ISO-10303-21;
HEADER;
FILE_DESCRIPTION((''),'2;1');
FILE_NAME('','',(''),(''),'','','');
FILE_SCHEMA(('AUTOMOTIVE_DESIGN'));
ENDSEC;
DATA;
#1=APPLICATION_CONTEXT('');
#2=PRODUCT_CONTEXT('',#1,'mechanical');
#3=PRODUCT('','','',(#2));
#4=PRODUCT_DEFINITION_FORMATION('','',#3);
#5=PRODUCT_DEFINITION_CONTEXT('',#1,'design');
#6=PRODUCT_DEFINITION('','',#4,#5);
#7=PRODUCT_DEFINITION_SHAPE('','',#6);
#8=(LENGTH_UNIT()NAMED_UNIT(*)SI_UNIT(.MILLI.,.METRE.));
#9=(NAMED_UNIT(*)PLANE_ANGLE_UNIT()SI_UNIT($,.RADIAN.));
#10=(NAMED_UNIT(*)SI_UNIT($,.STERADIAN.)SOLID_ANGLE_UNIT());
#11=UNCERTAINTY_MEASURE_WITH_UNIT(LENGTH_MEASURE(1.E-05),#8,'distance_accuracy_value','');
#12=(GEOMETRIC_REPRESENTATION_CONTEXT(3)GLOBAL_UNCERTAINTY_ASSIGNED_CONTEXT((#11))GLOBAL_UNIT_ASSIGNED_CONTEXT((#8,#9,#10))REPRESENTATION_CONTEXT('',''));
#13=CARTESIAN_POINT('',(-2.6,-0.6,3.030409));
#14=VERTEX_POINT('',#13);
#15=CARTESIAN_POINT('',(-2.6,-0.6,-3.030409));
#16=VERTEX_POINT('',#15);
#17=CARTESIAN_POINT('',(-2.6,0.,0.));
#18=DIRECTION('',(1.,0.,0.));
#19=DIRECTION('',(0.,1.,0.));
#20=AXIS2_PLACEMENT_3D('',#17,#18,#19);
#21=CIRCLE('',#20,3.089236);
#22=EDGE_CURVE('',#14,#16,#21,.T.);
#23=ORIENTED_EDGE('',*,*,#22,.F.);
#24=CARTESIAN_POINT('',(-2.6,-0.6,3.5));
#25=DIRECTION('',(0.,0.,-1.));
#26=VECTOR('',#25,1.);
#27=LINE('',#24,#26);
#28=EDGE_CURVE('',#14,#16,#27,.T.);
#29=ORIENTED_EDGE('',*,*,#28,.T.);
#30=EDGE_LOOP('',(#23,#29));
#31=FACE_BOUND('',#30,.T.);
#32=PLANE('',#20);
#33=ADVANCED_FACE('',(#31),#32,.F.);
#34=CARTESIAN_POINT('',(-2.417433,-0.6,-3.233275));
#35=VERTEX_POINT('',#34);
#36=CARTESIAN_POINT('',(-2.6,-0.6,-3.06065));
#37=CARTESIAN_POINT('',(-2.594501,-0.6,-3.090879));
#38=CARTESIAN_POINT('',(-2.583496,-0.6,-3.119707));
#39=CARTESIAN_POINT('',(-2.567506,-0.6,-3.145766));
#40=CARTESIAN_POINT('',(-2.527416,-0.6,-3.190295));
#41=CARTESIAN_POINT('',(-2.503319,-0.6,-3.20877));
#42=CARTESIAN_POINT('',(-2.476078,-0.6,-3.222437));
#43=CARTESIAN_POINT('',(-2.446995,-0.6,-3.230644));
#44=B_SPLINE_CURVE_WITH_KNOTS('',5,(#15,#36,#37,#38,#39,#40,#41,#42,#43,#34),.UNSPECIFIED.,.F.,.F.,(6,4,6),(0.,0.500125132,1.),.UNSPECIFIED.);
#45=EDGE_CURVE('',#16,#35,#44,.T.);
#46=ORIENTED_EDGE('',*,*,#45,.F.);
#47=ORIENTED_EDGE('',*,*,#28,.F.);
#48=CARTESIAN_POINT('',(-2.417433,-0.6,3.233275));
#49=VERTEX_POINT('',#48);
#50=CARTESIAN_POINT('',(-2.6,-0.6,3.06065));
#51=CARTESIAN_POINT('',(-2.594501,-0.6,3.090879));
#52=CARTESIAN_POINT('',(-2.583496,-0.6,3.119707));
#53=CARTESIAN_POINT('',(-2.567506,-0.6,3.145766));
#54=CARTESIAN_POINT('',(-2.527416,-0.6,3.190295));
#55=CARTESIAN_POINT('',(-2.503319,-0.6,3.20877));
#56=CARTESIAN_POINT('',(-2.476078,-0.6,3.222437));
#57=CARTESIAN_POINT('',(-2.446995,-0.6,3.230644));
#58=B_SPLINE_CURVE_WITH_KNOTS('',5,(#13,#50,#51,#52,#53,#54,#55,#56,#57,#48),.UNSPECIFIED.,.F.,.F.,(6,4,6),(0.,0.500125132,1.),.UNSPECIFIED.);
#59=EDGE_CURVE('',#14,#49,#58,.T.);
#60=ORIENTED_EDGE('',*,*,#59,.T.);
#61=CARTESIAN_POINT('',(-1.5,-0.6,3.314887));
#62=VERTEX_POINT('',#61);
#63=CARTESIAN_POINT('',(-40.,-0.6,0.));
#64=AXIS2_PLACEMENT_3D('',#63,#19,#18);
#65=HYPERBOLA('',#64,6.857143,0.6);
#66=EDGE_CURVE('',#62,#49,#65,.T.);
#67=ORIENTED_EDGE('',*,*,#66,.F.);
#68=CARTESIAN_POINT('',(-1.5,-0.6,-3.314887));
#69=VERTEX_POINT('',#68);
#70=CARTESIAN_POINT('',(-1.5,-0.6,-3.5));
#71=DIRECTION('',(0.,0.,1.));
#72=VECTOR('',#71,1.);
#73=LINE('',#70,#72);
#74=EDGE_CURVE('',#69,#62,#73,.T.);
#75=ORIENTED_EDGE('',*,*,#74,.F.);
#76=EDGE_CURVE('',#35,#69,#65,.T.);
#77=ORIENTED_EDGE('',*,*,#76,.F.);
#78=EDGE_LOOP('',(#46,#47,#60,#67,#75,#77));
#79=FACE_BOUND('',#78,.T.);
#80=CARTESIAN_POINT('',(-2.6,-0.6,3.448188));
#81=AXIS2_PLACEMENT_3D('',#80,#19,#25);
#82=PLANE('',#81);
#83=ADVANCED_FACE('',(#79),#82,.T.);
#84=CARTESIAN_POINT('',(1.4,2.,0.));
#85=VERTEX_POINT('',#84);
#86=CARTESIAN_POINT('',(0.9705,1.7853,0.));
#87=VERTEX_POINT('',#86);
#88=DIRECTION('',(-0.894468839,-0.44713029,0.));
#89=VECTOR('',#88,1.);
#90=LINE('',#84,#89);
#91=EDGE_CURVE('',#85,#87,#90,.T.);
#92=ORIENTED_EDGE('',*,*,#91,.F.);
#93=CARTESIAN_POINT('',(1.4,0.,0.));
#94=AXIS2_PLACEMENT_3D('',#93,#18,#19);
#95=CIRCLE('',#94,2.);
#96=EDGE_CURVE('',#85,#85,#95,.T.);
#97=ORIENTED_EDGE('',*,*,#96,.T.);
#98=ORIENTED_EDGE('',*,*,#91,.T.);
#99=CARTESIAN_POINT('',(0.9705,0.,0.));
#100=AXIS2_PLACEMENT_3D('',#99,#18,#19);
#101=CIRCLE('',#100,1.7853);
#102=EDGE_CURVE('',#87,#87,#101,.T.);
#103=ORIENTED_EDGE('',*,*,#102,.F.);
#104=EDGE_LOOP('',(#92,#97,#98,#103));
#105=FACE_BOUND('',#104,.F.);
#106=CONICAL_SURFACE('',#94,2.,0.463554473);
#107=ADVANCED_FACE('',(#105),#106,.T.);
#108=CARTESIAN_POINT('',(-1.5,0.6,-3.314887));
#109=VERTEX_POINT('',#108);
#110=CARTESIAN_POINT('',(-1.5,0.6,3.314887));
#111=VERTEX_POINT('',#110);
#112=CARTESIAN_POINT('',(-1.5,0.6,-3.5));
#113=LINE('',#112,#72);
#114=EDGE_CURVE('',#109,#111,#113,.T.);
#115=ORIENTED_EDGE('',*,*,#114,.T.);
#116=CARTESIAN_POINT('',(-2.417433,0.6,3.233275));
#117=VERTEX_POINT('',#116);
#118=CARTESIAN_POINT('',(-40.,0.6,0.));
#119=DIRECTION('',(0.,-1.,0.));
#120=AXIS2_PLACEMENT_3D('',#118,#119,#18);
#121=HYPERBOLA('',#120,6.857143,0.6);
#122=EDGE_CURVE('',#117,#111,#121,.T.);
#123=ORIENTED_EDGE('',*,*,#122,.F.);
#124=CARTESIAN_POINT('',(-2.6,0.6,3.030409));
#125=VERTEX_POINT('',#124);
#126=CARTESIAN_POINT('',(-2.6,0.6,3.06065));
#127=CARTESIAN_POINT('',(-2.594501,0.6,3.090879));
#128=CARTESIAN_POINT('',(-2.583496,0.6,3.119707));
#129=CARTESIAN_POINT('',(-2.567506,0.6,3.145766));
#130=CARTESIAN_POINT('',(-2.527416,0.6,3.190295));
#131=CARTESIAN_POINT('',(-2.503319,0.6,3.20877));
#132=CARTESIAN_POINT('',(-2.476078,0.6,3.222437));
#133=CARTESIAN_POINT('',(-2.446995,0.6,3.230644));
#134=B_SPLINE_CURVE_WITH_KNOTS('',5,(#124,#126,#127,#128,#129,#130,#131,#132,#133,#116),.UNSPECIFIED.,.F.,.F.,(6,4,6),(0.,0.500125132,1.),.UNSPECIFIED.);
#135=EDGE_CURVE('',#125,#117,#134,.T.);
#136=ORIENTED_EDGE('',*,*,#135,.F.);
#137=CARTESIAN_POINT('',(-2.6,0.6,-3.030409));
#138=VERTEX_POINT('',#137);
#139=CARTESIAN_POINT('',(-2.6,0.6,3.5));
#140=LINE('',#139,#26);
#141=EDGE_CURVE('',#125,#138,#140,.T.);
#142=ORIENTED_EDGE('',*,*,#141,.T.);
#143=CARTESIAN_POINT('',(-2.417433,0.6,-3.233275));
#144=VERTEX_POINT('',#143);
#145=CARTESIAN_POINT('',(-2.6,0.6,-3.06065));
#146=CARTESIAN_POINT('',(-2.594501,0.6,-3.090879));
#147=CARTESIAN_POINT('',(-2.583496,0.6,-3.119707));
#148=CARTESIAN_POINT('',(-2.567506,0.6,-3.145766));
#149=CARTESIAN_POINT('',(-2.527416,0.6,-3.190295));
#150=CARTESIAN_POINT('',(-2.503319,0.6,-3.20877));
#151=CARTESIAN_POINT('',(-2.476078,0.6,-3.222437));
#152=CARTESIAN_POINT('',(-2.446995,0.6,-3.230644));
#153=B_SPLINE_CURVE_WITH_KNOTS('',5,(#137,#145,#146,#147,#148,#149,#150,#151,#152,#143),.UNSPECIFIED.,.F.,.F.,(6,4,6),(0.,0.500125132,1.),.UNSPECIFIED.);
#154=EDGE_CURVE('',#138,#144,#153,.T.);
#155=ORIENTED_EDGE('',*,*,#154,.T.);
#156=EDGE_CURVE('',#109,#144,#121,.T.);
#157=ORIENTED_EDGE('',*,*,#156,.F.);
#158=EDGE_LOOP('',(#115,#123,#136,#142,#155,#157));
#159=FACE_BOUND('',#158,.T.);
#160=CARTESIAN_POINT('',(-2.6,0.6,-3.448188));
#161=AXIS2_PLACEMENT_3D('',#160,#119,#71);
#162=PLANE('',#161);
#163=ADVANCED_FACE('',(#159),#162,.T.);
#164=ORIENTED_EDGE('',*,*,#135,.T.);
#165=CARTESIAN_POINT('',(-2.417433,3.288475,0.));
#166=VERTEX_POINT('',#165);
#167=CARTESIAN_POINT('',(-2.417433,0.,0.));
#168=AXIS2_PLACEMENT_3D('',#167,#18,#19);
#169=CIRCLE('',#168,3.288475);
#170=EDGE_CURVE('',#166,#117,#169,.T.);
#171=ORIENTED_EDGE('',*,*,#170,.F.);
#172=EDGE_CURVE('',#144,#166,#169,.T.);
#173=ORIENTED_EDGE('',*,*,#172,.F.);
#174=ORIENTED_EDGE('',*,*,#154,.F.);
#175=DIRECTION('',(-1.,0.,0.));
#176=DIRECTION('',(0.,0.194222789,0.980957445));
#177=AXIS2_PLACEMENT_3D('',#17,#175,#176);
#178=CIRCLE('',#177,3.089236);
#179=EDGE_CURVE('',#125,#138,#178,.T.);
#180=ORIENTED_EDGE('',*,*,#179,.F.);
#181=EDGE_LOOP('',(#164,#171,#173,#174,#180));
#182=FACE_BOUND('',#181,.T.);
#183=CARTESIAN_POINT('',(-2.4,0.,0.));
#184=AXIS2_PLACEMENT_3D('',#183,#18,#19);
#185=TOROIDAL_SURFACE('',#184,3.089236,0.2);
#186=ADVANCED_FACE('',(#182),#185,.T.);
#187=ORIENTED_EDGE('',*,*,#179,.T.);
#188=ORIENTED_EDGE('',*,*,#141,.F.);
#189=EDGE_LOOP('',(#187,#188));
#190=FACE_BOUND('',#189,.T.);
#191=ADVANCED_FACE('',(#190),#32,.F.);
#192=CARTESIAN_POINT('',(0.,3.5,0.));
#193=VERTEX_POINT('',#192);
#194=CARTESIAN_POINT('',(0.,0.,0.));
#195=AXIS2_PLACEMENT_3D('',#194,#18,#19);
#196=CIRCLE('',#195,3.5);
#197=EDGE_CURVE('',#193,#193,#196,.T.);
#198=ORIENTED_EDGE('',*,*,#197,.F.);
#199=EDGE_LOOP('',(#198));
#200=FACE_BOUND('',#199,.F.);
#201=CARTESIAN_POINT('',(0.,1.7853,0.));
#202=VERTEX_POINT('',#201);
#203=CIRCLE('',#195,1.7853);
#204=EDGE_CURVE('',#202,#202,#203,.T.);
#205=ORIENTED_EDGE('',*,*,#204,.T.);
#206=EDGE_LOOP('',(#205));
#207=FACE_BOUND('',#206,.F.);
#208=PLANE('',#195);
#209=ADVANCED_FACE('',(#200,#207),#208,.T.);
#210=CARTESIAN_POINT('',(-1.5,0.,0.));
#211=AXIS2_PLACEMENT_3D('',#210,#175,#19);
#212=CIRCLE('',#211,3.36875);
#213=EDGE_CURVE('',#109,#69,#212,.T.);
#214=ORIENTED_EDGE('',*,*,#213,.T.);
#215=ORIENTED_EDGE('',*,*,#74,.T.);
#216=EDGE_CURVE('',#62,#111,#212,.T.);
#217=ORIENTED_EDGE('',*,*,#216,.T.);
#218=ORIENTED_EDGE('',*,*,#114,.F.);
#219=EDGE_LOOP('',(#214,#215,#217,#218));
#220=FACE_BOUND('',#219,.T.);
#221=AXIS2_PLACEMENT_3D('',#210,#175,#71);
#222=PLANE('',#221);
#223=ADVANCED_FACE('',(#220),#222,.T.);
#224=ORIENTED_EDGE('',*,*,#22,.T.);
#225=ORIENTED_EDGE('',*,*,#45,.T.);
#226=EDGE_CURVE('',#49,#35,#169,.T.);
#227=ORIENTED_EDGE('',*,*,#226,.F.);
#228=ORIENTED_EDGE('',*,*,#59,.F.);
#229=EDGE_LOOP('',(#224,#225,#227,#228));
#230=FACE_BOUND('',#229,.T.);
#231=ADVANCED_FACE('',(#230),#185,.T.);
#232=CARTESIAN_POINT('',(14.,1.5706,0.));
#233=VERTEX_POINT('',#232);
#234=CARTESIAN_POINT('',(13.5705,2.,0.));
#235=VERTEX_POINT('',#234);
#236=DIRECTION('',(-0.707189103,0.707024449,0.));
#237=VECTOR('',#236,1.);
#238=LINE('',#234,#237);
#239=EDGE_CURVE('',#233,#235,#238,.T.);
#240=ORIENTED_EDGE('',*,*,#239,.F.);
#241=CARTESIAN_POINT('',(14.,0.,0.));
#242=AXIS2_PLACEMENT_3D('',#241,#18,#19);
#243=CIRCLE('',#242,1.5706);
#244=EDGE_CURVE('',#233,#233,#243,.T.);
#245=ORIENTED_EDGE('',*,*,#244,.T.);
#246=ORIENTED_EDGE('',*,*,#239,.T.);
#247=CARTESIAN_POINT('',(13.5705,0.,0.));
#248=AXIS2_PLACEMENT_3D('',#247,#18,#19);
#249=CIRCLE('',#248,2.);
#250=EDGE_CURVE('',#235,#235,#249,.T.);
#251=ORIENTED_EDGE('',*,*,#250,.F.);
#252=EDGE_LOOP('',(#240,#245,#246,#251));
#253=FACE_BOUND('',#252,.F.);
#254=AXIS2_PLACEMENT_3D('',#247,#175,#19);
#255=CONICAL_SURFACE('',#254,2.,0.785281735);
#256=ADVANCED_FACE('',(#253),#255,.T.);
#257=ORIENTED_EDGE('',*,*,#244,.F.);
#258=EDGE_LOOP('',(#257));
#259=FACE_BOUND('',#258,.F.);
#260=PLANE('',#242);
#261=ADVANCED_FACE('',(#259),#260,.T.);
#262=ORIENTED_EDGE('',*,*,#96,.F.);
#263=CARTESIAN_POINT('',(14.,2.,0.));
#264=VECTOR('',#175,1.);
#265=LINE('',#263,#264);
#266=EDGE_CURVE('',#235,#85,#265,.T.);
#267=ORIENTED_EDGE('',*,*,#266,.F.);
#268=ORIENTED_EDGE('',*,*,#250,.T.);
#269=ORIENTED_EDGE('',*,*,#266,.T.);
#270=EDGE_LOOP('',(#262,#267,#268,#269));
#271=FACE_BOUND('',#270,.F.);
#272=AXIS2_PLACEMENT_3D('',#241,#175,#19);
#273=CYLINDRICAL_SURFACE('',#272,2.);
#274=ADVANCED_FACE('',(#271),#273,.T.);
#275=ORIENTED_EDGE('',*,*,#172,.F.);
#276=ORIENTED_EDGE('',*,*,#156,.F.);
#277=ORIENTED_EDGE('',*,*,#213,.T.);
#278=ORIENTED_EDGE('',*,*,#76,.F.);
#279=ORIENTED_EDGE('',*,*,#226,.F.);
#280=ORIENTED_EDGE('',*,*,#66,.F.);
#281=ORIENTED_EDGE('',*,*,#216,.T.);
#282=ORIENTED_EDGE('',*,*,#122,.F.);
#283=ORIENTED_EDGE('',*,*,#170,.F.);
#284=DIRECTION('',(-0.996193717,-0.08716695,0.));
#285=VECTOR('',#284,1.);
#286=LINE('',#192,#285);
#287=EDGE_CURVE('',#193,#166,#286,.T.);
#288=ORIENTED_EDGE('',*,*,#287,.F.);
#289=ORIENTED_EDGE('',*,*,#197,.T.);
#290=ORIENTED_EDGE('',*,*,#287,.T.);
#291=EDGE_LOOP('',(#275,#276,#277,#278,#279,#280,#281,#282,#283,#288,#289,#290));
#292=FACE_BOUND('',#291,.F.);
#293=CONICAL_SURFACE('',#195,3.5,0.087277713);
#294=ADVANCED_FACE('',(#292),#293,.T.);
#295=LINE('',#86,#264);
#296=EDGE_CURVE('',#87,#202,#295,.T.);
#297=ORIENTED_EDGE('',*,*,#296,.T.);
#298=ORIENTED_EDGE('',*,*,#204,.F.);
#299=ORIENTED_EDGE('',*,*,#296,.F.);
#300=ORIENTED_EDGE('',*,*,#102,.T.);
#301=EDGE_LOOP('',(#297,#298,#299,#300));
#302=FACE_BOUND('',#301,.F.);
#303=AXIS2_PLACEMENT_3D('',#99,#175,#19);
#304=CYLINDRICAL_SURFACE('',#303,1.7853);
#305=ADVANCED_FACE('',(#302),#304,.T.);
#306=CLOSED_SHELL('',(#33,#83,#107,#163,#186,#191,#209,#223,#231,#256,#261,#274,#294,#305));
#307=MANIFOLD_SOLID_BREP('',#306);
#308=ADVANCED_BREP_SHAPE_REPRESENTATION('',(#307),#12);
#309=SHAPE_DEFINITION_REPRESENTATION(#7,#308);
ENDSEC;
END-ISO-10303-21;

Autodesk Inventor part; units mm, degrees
ref_plane "YZ Plane" through (0, 0, 0) normal (1, 0, 0) x (0, 1, 0)
ref_plane "XZ Plane" through (0, 0, 0) normal (0, 1, 0) x (-1, 0, 0)
sketch "Sketch1" plane through (0, 0, 0) normal (0, 0, 1) x (1, 0, 0)
  line L0 (-2.6, 0) -> (14, 0)
  line L1 (14, 0) -> (14, 2)
  line L2 (14, 2) -> (1.4, 2)
  line L3 (1.4, 2) -> (0.9705, 1.7853)
  line L4 (0.9705, 1.7853) -> (0, 1.7853)
  line L5 (0, 1.7853) -> (0, 3.5)
  line L6 (-5.92, 0) -> (17.32, 0) projected
  line L7 (0, -0.7) -> (0, 4.2) projected
  line L8 (-2.6, 0) -> (-2.6, 3.2725)
  line L9 (0, 3.5) -> (-2.6, 3.2725)
  line L10 (1.4, 2) -> (0, 2) construction
  dimension "d0" = 14
  dimension "d1" = 12.6
  dimension "d2" = 0.4295
  dimension "d3" = 2.6
  dimension "d4" = 4
  dimension "d5" = 3.5705
  dimension "d9" = 7
  dimension "d10" = 5
revolve "Body" add sketch "Sketch1" angle 360 about axis through (-2.6, 0, 0) along (1, 0, 0)
sketch "Sketch2" plane through (-2.6, 0, 0) normal (-1, 0, 0) x (0, 0, 1)
  circle A0 centre (0, 0) radius 3.5 projected
  line L0 (0, 0) -> (0, 3.2725) projected
  line L1 (-3.5, 0.6) -> (3.5, 0.6)
  line L2 (3.5, 0.6) -> (3.5, -0.6)
  line L3 (3.5, -0.6) -> (-3.5, -0.6)
  line L4 (-3.5, -0.6) -> (-3.5, 0.6)
  line L5 (-3.5, 0) -> (3.5, 0) construction
  line L6 (0, 0.6) -> (0, -0.6) construction
  dimension "d11" = 1.2
  dimension "d12" = 7
fillet "Fillet1" radius 0.2 1 edges at (-2.6, -3.2725, 0)
extrude "Slot" cut sketch "Sketch2" against normal blind 1.1 contours A0 L3 L1 | L2 L3 A0 | A0 L1 L2 | A0 L4 L1 | L3 L4 A0
thread "Thread" size "M4x0.7" class "6g" standard "ISO Metric profile" length 12.6
chamfer "Chamfer1" distance 0.4294 distance2 0.4295 1 edges at (14, -2, 0) measured on face at (14, 0.6473, -0.1595)
ref_plane "Work Plane1" through (30.1625, 0, 0) normal (0, 0, -1) x (1, 0, 0)
equation "\"d11\" = SBR"
equation "\"d12\" = KOD"
equation "\"d19\" = STI"
equation "\"d14\" = RR"
equation "\"d15\" = GEL"
equation "\"d17\" = -0.5 * SPD + 0.5 * GD"
equation "\"d0\" = NLG"
equation "\"d1\" = GEL"
equation "\"d3\" = KOH"
equation "\"d4\" = GD"
equation "\"d5\" = BDM"
equation "\"d9\" = KOD"
equation "\"d10\" = KEWI"
equation "\"GD\" = NND"
equation "\"NLG\" = 14"
equation "\"GEL\" = 12.6"
equation "\"KOD\" = 7"
equation "\"KOH\" = 2.6"
equation "\"GAL\" = 0.61345 * PTC"
equation "\"SPD\" = NND - 1.2269 * PTC"
equation "\"BDM\" = 3.5705"
equation "\"GUL\" = 0.61345 * PTC"
equation "\"RR\" = 0.2"
equation "\"SBR\" = 1.2"
equation "\"STI\" = 1.1"
equation "\"KEWI\" = 5deg"
equation "\"PTC\" = 0.7"
equation "\"THREADDIA\" = 4"
equation "\"TOA\" = 30deg"
equation "\"NND\" = 4"
equation "\"GD1\" = THREADDIA - 1.2269 * PTC"
properties part number "ISO 1207 - M4 x 14" material "Stainless Steel, 440C"
